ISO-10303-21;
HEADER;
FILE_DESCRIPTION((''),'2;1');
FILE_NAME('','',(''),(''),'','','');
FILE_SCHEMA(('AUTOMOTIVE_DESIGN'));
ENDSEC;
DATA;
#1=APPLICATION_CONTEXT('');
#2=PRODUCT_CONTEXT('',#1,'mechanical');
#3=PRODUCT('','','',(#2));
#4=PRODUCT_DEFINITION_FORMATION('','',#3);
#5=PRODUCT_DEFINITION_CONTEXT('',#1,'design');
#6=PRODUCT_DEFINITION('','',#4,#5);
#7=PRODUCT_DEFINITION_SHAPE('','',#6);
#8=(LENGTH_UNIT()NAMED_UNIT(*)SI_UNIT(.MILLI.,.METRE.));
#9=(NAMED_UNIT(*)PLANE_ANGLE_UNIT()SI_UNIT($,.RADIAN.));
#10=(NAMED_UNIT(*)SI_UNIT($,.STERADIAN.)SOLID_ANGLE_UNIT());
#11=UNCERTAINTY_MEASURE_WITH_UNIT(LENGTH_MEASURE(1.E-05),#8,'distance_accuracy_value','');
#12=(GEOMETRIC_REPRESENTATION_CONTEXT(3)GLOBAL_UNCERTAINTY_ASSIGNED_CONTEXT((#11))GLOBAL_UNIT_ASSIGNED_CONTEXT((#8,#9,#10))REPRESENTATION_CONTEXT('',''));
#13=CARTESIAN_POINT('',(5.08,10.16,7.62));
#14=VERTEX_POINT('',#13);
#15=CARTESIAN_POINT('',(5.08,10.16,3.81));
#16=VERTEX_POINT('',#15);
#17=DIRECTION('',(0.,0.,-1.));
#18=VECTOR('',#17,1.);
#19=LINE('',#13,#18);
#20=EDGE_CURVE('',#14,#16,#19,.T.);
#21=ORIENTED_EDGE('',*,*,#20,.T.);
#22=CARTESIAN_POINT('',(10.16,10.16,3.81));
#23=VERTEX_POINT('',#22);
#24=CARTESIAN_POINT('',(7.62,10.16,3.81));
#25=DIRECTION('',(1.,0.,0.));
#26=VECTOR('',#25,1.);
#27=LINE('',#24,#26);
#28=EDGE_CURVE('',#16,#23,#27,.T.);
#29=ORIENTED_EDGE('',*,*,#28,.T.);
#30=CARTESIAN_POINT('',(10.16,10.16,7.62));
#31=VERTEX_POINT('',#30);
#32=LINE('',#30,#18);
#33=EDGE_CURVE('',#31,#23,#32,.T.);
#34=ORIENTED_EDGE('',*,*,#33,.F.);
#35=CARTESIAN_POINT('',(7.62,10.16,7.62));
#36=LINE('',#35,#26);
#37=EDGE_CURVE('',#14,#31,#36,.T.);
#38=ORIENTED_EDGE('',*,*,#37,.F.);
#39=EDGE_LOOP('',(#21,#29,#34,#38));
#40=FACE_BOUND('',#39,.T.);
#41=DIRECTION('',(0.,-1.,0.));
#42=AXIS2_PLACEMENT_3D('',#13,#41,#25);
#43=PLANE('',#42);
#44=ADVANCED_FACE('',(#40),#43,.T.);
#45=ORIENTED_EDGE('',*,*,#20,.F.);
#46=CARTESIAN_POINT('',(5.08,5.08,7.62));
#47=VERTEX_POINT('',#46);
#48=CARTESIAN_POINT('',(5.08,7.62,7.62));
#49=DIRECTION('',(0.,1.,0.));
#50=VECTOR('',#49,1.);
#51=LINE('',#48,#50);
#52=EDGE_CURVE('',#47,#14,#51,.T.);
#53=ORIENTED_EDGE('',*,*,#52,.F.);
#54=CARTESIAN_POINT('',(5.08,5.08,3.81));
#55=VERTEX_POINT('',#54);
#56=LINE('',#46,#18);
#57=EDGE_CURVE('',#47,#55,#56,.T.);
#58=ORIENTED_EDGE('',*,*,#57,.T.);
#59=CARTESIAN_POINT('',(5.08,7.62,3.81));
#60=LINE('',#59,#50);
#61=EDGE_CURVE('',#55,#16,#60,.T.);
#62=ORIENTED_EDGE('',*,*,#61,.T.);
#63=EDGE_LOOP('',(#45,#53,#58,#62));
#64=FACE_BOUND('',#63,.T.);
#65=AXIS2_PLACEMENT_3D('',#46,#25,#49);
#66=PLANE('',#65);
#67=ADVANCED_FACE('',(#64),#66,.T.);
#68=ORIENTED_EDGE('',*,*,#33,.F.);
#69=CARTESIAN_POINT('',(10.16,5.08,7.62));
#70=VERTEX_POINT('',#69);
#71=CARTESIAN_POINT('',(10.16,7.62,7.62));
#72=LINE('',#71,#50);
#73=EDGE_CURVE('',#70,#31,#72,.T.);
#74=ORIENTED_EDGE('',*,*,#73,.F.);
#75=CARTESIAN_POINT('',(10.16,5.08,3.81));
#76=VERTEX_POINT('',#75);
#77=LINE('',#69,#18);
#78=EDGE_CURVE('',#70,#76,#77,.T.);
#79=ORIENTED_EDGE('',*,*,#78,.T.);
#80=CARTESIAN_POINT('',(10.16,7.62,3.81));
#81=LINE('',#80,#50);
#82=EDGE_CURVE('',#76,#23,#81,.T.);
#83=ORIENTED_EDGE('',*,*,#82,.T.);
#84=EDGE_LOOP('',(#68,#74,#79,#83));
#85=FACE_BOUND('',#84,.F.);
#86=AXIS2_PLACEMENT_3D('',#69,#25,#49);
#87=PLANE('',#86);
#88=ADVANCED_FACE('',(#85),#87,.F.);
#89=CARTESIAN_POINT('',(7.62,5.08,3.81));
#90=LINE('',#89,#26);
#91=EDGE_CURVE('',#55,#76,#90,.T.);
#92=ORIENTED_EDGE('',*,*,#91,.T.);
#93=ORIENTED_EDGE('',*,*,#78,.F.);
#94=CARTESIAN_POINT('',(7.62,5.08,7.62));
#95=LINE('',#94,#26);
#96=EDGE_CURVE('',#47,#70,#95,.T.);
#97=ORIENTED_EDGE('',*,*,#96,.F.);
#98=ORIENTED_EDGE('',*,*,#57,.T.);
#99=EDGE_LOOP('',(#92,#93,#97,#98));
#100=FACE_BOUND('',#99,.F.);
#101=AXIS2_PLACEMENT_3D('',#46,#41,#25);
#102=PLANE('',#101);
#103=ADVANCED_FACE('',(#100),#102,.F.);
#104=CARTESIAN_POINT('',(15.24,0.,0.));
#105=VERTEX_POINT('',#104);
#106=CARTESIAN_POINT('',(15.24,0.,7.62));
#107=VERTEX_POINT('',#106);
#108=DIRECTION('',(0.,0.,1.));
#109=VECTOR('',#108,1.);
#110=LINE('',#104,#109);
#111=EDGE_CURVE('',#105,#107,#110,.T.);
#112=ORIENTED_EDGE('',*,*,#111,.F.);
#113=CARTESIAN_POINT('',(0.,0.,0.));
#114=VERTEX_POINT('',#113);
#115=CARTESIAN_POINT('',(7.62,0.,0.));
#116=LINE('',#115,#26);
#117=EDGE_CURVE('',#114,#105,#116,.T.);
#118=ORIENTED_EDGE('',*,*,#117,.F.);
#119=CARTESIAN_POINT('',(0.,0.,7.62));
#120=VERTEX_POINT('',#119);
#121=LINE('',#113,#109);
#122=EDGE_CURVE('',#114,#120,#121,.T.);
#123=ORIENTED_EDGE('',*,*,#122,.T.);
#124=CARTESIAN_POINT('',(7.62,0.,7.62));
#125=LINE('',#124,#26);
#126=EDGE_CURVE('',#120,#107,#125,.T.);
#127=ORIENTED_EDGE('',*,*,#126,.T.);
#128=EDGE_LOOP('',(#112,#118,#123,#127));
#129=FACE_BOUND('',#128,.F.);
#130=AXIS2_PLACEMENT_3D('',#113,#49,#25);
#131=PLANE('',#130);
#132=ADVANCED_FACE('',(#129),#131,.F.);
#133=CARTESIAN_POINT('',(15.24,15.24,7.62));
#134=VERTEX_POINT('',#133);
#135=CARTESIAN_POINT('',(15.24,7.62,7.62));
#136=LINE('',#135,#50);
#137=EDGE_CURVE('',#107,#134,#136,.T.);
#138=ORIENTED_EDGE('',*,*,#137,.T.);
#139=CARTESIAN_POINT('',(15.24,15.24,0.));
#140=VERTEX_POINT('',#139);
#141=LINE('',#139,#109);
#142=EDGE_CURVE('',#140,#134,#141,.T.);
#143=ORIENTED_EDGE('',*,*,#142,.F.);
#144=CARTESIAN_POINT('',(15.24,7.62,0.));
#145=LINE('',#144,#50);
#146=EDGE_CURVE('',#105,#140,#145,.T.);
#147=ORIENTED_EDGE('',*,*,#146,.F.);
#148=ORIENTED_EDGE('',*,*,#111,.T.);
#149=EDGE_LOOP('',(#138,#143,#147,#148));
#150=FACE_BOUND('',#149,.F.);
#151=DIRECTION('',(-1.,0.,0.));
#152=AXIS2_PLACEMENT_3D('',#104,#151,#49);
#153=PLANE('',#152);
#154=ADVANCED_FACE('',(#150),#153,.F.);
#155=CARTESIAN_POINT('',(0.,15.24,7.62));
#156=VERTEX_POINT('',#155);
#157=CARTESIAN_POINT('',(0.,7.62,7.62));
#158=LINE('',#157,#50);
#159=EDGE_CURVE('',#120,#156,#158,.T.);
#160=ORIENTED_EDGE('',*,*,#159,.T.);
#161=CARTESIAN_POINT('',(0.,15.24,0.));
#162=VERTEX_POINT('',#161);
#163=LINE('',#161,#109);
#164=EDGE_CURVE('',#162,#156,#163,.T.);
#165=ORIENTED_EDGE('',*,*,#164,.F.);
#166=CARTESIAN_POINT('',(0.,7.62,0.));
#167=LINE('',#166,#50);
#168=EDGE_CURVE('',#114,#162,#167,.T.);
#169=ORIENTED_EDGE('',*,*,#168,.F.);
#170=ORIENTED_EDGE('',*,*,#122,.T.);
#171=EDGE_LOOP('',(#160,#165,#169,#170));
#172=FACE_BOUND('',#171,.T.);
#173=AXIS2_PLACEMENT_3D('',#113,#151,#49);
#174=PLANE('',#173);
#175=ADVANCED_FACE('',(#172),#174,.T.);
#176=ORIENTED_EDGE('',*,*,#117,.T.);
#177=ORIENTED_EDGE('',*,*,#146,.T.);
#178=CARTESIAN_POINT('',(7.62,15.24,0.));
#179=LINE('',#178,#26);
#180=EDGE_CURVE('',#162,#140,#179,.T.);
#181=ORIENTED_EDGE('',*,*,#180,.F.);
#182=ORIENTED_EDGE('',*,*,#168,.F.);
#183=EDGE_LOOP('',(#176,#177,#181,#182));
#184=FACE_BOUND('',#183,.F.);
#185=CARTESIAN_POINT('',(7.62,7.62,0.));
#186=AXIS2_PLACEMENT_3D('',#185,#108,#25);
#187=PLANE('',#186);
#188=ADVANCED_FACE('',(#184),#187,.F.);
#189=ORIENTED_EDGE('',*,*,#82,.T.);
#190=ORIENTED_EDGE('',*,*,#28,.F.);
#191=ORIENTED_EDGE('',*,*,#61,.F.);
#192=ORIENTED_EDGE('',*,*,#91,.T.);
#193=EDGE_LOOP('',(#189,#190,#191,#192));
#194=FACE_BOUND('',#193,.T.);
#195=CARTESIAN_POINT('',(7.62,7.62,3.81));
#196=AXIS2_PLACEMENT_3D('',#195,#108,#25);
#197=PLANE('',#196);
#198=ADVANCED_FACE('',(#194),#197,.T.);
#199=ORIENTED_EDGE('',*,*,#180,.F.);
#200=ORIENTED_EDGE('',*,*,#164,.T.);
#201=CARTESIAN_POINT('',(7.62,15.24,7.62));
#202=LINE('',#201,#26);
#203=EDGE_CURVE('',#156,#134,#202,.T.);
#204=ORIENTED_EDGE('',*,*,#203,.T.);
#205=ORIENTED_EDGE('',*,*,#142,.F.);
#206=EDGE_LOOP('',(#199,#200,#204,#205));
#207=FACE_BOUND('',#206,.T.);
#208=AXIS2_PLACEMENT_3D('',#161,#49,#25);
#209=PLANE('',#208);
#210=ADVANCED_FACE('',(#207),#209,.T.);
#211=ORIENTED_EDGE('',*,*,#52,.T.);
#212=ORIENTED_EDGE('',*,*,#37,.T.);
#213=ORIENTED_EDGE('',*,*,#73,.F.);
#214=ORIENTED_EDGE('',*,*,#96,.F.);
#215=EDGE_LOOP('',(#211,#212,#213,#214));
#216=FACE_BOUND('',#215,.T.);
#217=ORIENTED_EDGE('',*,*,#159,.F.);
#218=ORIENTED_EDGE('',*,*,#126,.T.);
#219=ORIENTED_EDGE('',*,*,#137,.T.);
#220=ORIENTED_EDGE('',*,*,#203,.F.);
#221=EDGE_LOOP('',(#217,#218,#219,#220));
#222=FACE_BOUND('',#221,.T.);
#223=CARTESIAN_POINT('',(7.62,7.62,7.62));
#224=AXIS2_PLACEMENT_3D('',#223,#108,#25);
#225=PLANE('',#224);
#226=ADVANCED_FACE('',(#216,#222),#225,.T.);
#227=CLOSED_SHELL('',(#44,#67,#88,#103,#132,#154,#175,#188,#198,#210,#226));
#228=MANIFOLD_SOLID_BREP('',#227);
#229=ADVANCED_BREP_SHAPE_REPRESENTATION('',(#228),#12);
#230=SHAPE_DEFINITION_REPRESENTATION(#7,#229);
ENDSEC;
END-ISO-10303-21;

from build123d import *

# Parameters (mm, degrees)
F0_W     = 15.24
F0_H     = 15.24
F1_DEPTH = 7.62
F2_W     = 5.08
F2_H     = 5.08
F3_DEPTH = 3.81


with BuildPart() as f1:
    # F0 (on Top) → F1 (new body)
    with BuildSketch(Plane.XY):
        with Locations((7.62, 7.62)):
            Rectangle(F0_W, F0_H)
    extrude(amount=F1_DEPTH)

    # F2 (on face) → F3 (cut)
    with BuildSketch(Plane.XY.offset(7.62)):
        with Locations((7.62, 7.62)):
            Rectangle(F2_W, F2_H)
    extrude(amount=-F3_DEPTH, mode=Mode.SUBTRACT)


solid = f1.part
